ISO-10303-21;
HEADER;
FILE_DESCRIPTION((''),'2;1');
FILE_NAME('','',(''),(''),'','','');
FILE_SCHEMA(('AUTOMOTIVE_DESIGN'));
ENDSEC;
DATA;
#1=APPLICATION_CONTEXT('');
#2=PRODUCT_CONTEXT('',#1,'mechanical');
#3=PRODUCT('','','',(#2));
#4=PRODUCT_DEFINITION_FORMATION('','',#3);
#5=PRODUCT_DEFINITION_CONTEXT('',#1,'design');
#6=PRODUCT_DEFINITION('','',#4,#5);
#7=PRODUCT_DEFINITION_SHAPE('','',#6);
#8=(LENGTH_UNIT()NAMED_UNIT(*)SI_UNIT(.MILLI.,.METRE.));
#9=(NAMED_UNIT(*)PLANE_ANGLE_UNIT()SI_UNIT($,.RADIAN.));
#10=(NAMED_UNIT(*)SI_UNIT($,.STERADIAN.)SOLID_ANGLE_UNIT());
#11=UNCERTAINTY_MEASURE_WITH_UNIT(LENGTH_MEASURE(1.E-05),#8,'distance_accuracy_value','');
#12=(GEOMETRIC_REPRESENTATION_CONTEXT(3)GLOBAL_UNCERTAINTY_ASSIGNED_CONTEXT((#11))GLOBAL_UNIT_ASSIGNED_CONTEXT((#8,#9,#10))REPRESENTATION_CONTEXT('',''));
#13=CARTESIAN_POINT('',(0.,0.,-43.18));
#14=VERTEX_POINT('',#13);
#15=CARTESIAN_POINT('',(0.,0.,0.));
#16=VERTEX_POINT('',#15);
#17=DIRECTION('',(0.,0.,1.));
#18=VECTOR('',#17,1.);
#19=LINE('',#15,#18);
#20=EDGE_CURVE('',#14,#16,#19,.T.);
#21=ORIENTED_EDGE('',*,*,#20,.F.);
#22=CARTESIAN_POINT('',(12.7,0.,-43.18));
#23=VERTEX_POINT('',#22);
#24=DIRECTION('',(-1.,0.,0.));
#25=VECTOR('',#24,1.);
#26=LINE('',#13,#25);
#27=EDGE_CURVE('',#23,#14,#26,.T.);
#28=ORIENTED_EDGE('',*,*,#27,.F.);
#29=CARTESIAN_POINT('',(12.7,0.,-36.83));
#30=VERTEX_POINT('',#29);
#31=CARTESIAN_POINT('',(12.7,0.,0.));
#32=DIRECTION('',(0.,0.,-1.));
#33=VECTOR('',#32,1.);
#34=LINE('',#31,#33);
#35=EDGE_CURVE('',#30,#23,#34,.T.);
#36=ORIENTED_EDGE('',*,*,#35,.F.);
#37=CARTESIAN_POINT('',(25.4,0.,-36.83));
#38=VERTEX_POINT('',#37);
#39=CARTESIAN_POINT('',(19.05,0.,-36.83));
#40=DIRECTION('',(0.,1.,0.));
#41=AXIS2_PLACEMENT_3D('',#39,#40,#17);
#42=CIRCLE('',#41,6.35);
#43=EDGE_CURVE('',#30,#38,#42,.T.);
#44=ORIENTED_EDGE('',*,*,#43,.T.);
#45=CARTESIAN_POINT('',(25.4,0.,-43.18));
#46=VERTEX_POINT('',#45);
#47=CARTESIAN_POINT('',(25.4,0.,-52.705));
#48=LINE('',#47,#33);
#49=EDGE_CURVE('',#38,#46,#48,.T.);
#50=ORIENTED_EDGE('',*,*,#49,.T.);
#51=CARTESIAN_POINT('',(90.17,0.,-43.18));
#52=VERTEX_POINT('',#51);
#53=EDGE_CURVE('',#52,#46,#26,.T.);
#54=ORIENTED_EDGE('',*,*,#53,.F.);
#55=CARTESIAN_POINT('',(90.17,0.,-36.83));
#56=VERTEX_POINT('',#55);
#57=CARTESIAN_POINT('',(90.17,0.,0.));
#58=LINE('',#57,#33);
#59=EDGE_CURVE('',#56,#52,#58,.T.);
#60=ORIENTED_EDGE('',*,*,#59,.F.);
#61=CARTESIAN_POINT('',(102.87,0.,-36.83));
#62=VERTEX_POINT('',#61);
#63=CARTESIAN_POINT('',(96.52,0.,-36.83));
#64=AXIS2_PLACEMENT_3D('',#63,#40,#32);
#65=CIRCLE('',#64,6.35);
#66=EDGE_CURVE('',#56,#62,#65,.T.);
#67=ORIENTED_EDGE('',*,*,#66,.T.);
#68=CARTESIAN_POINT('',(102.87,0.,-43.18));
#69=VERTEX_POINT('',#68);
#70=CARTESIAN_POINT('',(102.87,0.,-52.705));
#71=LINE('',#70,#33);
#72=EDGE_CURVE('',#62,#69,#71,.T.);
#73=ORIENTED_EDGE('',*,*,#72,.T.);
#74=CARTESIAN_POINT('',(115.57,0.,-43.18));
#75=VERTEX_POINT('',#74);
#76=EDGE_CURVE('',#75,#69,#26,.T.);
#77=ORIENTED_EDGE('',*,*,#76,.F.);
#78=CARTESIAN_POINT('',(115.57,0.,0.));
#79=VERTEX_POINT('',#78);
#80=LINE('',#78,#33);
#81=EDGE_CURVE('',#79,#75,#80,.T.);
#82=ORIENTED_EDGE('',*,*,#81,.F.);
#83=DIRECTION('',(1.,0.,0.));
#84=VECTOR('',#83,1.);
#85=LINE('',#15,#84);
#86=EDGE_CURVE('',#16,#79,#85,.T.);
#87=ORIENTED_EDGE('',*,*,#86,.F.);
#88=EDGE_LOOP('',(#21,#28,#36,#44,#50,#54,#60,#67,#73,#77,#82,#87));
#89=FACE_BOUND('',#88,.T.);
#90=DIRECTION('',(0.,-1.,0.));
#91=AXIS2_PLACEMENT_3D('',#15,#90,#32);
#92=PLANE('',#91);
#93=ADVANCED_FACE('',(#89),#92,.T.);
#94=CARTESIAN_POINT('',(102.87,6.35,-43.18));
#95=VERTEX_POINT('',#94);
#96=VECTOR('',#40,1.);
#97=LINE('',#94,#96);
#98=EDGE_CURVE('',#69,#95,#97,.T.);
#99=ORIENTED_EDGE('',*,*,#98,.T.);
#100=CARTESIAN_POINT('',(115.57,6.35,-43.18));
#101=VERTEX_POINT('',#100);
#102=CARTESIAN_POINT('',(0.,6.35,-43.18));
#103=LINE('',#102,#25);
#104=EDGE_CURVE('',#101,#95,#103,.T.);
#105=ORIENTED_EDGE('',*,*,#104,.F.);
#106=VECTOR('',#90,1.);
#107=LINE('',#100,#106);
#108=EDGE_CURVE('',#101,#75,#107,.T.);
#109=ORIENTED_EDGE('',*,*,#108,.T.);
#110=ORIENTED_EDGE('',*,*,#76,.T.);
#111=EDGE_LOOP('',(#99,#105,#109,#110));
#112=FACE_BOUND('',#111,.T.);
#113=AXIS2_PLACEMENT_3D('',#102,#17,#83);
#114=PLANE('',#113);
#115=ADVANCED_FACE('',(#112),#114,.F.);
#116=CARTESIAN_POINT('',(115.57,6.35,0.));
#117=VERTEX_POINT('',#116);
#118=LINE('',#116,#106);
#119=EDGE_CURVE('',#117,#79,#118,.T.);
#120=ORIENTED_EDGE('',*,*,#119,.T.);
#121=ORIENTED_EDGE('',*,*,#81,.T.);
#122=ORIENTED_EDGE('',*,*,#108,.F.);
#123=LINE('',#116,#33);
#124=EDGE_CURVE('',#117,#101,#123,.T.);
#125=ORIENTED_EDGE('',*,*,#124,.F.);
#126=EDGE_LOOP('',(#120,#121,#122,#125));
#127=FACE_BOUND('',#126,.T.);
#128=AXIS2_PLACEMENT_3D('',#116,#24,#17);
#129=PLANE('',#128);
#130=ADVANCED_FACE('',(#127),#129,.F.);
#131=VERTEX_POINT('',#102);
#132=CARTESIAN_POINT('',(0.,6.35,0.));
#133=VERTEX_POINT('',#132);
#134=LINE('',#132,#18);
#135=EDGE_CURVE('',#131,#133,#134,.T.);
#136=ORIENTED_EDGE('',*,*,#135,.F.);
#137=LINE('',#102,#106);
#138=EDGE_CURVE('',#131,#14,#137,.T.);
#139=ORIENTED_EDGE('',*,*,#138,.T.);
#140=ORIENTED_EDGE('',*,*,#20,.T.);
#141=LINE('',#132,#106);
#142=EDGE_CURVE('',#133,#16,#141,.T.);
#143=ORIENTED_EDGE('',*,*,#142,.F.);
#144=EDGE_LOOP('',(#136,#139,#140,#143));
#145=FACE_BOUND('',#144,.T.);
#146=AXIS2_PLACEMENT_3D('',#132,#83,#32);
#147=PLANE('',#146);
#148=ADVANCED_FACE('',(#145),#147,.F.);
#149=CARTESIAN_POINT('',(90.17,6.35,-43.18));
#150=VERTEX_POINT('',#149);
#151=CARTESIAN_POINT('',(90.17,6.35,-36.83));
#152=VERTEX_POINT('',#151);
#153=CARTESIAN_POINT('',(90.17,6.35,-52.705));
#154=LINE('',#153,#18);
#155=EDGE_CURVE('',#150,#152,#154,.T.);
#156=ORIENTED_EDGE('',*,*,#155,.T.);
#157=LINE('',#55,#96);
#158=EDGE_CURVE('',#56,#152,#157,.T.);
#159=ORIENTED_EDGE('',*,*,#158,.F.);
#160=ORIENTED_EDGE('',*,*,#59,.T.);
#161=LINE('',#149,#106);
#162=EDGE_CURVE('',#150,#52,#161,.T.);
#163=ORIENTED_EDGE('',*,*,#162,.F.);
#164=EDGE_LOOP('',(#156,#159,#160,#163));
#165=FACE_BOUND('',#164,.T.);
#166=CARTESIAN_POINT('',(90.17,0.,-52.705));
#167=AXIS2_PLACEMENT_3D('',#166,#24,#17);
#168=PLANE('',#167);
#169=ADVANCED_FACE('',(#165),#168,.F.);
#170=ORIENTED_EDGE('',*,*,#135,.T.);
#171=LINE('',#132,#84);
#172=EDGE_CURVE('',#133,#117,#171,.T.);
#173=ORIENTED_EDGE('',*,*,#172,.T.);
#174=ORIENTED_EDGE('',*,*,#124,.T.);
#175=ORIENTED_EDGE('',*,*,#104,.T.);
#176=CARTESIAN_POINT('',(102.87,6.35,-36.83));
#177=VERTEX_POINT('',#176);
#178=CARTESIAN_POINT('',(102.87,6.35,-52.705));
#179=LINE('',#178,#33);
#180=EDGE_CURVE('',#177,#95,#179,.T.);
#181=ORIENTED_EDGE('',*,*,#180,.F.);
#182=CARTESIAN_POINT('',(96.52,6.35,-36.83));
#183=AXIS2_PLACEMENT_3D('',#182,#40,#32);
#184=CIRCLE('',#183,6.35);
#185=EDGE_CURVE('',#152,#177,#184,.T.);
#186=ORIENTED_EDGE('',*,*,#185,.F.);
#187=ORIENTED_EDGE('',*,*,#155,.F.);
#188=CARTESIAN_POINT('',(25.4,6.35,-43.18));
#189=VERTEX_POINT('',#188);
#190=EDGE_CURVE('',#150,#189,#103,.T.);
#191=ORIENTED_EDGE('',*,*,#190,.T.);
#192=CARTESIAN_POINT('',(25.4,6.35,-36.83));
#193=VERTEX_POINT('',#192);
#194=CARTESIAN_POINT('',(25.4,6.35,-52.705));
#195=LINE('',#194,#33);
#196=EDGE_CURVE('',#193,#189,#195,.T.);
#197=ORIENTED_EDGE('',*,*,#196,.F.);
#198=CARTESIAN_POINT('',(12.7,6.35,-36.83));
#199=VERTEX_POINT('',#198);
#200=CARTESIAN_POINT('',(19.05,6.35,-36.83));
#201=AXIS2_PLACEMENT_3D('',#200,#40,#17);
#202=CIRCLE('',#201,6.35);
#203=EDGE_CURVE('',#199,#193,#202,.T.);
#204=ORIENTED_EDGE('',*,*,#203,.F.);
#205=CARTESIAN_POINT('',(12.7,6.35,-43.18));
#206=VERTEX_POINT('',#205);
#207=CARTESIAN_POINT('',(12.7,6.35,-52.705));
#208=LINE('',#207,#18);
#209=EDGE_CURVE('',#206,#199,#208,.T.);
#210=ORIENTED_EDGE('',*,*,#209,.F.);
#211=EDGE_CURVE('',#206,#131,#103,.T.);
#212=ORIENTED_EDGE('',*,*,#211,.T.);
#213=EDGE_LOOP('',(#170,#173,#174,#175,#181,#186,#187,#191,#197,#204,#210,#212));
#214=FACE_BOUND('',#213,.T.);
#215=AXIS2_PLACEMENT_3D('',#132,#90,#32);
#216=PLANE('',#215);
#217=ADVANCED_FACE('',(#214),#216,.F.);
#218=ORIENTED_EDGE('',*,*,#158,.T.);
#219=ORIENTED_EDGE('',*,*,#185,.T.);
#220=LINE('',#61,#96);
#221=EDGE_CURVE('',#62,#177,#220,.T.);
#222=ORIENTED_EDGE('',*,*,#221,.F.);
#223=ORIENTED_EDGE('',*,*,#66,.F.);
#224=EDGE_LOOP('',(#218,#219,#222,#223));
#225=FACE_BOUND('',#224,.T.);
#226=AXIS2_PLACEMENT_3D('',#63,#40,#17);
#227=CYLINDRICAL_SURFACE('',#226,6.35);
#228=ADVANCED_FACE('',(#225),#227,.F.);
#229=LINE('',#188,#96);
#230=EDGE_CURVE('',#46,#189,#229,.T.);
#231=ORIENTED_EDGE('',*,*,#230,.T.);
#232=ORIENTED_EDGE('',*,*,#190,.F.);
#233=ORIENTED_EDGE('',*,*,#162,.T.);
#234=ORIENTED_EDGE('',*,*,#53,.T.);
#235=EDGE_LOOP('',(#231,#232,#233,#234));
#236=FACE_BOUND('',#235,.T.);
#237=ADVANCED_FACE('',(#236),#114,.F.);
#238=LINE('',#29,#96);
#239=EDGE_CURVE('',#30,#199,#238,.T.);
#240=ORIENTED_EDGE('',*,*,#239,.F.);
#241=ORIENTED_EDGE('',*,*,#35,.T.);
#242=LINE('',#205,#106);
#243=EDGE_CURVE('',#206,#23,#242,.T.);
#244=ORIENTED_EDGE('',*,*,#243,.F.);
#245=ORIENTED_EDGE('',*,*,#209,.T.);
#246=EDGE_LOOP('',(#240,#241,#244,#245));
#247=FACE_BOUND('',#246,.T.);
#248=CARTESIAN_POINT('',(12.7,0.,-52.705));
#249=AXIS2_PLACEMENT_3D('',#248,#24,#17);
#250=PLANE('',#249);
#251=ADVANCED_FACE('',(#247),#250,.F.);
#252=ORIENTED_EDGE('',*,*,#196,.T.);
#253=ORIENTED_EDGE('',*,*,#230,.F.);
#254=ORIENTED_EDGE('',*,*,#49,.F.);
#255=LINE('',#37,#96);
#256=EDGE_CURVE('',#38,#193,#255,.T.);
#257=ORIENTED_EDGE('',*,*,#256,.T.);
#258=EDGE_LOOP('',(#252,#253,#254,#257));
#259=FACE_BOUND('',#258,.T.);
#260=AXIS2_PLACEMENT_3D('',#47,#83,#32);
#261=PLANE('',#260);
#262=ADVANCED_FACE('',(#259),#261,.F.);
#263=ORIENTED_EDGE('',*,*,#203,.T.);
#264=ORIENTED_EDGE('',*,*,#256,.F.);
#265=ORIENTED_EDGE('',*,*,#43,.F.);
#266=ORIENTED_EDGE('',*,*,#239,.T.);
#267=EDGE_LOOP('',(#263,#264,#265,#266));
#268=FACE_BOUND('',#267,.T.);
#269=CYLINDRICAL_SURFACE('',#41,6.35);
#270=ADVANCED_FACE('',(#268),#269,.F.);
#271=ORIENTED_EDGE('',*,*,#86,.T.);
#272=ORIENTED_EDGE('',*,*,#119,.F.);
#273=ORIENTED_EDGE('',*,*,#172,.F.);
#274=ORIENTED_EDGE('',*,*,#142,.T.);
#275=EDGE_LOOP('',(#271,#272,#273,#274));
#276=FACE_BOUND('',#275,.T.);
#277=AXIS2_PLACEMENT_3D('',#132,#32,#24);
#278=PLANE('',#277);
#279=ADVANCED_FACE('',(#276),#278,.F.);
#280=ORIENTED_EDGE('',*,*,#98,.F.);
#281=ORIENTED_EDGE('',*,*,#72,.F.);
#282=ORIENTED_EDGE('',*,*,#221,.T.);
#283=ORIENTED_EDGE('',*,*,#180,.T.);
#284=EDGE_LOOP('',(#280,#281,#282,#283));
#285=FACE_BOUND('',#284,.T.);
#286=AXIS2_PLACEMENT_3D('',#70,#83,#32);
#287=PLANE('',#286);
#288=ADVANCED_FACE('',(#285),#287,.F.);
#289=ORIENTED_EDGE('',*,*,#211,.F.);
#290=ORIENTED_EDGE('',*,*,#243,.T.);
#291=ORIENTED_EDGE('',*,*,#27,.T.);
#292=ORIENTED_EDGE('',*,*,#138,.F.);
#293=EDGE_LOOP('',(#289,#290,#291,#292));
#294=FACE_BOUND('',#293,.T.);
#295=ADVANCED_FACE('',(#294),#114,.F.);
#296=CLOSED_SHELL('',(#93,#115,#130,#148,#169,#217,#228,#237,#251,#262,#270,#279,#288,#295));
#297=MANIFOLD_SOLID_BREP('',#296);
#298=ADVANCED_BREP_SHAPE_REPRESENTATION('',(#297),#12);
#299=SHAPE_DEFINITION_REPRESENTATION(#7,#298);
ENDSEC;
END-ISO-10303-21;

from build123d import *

# Parameters (mm, degrees)
SKETCH1_W           = 115.57
SKETCH1_H           = 43.18
BOSS_EXTRUDE1_DEPTH = 6.35
CUT_EXTRUDE1_DEPTH  = 7.35


with BuildPart() as part:
    # Sketch1 → Boss-Extrude1 (new body)
    with BuildSketch(Plane(origin=(0, 0, 0), x_dir=(1, 0, 0), z_dir=(0, 1, 0))):
        with Locations((57.785, 21.59)):
            Rectangle(SKETCH1_W, SKETCH1_H)
    extrude(amount=BOSS_EXTRUDE1_DEPTH)

    # Sketch2 → Cut-Extrude1 (cut, through all)
    with BuildSketch(Plane(origin=(0, 6.35, 0), x_dir=(1, 0, 0), z_dir=(0, 1, 0))):
        with BuildLine():
            Line((25.4, 52.705), (25.4, 36.83))
            ThreePointArc((25.4, 36.83), (19.05, 30.48), (12.7, 36.83))
            Line((12.7, 36.83), (12.7, 52.705))
            Line((12.7, 52.705), (25.4, 52.705))
        make_face()
        with BuildLine():
            Line((102.87, 52.705), (90.17, 52.705))
            Line((90.17, 52.705), (90.17, 36.83))
            ThreePointArc((90.17, 36.83), (96.52, 30.48), (102.87, 36.83))
            Line((102.87, 36.83), (102.87, 52.705))
        make_face()
    extrude(amount=-CUT_EXTRUDE1_DEPTH, mode=Mode.SUBTRACT)


solid = part.part
